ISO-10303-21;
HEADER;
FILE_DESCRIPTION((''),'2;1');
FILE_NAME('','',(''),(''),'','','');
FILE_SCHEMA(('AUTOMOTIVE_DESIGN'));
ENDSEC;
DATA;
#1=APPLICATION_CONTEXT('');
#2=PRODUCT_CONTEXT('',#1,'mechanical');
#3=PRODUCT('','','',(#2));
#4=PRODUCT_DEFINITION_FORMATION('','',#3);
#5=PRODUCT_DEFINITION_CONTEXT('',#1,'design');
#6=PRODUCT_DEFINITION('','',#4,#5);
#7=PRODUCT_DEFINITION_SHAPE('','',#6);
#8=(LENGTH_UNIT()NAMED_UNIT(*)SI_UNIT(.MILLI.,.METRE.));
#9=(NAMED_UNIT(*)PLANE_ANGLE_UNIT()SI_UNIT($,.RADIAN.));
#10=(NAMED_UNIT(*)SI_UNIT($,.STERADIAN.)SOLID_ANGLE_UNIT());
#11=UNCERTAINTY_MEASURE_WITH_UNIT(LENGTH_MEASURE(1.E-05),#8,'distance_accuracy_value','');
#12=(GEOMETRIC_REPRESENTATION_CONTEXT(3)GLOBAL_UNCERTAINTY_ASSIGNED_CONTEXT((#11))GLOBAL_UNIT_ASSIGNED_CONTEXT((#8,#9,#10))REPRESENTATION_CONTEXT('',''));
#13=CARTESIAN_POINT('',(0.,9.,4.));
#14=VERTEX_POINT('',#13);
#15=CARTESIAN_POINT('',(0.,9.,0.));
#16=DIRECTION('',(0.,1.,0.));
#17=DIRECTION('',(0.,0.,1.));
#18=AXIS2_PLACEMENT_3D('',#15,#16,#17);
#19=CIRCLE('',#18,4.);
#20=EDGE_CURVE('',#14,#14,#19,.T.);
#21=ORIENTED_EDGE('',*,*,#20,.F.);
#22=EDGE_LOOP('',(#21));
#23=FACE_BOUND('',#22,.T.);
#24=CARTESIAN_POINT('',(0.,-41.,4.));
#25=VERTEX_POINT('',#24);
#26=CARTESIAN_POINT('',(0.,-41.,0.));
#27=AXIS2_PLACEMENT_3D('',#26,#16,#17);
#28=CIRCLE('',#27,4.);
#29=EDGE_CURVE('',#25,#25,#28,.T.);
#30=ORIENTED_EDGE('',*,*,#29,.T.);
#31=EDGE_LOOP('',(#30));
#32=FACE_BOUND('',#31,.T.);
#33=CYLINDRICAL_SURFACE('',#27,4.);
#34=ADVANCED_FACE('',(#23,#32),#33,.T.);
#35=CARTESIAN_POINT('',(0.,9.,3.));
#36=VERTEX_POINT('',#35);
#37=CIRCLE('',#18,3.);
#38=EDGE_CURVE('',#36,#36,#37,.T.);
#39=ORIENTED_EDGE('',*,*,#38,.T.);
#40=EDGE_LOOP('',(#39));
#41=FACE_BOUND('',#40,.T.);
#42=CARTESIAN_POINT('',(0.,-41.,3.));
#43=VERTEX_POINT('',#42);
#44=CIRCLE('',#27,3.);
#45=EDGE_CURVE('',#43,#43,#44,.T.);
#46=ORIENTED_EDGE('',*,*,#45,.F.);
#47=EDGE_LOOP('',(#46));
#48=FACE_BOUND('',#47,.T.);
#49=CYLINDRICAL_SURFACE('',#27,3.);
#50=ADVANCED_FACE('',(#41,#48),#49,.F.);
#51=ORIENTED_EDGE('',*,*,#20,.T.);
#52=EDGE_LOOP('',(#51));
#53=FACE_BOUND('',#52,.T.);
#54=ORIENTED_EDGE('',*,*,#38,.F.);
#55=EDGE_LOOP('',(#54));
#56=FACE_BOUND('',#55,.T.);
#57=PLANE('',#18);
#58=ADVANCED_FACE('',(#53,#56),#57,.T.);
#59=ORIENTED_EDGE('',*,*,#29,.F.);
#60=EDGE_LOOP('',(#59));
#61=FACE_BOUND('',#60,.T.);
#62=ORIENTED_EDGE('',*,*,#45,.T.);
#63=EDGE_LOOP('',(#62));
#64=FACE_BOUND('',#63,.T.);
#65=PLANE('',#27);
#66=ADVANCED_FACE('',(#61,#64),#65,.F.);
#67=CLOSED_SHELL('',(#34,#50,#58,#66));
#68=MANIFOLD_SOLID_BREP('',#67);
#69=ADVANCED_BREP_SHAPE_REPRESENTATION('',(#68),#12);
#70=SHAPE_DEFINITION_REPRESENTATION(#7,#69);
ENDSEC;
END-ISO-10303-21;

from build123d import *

# Parameters (mm, degrees)
BOSS_EXTRU_1_DEPTH      = 9
BOSS_EXTRU_1_DEPTH_BACK = 41
ESQUISSE1_R             = 4
ESQUISSE1_R_2           = 3


with BuildPart() as part:
    # Esquisse1 → Boss.-Extru.1 (new, two sides: drawn at the far end of the back side and taken through both)
    with BuildSketch(Plane(origin=(0, 0, 0), x_dir=(1, 0, 0), z_dir=(0, 1, 0)).offset(-BOSS_EXTRU_1_DEPTH_BACK)):
        with Locations(Location((0, 0, 0), (0, 0, 270))):
            Circle(ESQUISSE1_R)
        with Locations(Location((0, 0, 0), (0, 0, 270))):
            Circle(ESQUISSE1_R_2, mode=Mode.SUBTRACT)
    extrude(amount=BOSS_EXTRU_1_DEPTH + BOSS_EXTRU_1_DEPTH_BACK)


solid = part.part
